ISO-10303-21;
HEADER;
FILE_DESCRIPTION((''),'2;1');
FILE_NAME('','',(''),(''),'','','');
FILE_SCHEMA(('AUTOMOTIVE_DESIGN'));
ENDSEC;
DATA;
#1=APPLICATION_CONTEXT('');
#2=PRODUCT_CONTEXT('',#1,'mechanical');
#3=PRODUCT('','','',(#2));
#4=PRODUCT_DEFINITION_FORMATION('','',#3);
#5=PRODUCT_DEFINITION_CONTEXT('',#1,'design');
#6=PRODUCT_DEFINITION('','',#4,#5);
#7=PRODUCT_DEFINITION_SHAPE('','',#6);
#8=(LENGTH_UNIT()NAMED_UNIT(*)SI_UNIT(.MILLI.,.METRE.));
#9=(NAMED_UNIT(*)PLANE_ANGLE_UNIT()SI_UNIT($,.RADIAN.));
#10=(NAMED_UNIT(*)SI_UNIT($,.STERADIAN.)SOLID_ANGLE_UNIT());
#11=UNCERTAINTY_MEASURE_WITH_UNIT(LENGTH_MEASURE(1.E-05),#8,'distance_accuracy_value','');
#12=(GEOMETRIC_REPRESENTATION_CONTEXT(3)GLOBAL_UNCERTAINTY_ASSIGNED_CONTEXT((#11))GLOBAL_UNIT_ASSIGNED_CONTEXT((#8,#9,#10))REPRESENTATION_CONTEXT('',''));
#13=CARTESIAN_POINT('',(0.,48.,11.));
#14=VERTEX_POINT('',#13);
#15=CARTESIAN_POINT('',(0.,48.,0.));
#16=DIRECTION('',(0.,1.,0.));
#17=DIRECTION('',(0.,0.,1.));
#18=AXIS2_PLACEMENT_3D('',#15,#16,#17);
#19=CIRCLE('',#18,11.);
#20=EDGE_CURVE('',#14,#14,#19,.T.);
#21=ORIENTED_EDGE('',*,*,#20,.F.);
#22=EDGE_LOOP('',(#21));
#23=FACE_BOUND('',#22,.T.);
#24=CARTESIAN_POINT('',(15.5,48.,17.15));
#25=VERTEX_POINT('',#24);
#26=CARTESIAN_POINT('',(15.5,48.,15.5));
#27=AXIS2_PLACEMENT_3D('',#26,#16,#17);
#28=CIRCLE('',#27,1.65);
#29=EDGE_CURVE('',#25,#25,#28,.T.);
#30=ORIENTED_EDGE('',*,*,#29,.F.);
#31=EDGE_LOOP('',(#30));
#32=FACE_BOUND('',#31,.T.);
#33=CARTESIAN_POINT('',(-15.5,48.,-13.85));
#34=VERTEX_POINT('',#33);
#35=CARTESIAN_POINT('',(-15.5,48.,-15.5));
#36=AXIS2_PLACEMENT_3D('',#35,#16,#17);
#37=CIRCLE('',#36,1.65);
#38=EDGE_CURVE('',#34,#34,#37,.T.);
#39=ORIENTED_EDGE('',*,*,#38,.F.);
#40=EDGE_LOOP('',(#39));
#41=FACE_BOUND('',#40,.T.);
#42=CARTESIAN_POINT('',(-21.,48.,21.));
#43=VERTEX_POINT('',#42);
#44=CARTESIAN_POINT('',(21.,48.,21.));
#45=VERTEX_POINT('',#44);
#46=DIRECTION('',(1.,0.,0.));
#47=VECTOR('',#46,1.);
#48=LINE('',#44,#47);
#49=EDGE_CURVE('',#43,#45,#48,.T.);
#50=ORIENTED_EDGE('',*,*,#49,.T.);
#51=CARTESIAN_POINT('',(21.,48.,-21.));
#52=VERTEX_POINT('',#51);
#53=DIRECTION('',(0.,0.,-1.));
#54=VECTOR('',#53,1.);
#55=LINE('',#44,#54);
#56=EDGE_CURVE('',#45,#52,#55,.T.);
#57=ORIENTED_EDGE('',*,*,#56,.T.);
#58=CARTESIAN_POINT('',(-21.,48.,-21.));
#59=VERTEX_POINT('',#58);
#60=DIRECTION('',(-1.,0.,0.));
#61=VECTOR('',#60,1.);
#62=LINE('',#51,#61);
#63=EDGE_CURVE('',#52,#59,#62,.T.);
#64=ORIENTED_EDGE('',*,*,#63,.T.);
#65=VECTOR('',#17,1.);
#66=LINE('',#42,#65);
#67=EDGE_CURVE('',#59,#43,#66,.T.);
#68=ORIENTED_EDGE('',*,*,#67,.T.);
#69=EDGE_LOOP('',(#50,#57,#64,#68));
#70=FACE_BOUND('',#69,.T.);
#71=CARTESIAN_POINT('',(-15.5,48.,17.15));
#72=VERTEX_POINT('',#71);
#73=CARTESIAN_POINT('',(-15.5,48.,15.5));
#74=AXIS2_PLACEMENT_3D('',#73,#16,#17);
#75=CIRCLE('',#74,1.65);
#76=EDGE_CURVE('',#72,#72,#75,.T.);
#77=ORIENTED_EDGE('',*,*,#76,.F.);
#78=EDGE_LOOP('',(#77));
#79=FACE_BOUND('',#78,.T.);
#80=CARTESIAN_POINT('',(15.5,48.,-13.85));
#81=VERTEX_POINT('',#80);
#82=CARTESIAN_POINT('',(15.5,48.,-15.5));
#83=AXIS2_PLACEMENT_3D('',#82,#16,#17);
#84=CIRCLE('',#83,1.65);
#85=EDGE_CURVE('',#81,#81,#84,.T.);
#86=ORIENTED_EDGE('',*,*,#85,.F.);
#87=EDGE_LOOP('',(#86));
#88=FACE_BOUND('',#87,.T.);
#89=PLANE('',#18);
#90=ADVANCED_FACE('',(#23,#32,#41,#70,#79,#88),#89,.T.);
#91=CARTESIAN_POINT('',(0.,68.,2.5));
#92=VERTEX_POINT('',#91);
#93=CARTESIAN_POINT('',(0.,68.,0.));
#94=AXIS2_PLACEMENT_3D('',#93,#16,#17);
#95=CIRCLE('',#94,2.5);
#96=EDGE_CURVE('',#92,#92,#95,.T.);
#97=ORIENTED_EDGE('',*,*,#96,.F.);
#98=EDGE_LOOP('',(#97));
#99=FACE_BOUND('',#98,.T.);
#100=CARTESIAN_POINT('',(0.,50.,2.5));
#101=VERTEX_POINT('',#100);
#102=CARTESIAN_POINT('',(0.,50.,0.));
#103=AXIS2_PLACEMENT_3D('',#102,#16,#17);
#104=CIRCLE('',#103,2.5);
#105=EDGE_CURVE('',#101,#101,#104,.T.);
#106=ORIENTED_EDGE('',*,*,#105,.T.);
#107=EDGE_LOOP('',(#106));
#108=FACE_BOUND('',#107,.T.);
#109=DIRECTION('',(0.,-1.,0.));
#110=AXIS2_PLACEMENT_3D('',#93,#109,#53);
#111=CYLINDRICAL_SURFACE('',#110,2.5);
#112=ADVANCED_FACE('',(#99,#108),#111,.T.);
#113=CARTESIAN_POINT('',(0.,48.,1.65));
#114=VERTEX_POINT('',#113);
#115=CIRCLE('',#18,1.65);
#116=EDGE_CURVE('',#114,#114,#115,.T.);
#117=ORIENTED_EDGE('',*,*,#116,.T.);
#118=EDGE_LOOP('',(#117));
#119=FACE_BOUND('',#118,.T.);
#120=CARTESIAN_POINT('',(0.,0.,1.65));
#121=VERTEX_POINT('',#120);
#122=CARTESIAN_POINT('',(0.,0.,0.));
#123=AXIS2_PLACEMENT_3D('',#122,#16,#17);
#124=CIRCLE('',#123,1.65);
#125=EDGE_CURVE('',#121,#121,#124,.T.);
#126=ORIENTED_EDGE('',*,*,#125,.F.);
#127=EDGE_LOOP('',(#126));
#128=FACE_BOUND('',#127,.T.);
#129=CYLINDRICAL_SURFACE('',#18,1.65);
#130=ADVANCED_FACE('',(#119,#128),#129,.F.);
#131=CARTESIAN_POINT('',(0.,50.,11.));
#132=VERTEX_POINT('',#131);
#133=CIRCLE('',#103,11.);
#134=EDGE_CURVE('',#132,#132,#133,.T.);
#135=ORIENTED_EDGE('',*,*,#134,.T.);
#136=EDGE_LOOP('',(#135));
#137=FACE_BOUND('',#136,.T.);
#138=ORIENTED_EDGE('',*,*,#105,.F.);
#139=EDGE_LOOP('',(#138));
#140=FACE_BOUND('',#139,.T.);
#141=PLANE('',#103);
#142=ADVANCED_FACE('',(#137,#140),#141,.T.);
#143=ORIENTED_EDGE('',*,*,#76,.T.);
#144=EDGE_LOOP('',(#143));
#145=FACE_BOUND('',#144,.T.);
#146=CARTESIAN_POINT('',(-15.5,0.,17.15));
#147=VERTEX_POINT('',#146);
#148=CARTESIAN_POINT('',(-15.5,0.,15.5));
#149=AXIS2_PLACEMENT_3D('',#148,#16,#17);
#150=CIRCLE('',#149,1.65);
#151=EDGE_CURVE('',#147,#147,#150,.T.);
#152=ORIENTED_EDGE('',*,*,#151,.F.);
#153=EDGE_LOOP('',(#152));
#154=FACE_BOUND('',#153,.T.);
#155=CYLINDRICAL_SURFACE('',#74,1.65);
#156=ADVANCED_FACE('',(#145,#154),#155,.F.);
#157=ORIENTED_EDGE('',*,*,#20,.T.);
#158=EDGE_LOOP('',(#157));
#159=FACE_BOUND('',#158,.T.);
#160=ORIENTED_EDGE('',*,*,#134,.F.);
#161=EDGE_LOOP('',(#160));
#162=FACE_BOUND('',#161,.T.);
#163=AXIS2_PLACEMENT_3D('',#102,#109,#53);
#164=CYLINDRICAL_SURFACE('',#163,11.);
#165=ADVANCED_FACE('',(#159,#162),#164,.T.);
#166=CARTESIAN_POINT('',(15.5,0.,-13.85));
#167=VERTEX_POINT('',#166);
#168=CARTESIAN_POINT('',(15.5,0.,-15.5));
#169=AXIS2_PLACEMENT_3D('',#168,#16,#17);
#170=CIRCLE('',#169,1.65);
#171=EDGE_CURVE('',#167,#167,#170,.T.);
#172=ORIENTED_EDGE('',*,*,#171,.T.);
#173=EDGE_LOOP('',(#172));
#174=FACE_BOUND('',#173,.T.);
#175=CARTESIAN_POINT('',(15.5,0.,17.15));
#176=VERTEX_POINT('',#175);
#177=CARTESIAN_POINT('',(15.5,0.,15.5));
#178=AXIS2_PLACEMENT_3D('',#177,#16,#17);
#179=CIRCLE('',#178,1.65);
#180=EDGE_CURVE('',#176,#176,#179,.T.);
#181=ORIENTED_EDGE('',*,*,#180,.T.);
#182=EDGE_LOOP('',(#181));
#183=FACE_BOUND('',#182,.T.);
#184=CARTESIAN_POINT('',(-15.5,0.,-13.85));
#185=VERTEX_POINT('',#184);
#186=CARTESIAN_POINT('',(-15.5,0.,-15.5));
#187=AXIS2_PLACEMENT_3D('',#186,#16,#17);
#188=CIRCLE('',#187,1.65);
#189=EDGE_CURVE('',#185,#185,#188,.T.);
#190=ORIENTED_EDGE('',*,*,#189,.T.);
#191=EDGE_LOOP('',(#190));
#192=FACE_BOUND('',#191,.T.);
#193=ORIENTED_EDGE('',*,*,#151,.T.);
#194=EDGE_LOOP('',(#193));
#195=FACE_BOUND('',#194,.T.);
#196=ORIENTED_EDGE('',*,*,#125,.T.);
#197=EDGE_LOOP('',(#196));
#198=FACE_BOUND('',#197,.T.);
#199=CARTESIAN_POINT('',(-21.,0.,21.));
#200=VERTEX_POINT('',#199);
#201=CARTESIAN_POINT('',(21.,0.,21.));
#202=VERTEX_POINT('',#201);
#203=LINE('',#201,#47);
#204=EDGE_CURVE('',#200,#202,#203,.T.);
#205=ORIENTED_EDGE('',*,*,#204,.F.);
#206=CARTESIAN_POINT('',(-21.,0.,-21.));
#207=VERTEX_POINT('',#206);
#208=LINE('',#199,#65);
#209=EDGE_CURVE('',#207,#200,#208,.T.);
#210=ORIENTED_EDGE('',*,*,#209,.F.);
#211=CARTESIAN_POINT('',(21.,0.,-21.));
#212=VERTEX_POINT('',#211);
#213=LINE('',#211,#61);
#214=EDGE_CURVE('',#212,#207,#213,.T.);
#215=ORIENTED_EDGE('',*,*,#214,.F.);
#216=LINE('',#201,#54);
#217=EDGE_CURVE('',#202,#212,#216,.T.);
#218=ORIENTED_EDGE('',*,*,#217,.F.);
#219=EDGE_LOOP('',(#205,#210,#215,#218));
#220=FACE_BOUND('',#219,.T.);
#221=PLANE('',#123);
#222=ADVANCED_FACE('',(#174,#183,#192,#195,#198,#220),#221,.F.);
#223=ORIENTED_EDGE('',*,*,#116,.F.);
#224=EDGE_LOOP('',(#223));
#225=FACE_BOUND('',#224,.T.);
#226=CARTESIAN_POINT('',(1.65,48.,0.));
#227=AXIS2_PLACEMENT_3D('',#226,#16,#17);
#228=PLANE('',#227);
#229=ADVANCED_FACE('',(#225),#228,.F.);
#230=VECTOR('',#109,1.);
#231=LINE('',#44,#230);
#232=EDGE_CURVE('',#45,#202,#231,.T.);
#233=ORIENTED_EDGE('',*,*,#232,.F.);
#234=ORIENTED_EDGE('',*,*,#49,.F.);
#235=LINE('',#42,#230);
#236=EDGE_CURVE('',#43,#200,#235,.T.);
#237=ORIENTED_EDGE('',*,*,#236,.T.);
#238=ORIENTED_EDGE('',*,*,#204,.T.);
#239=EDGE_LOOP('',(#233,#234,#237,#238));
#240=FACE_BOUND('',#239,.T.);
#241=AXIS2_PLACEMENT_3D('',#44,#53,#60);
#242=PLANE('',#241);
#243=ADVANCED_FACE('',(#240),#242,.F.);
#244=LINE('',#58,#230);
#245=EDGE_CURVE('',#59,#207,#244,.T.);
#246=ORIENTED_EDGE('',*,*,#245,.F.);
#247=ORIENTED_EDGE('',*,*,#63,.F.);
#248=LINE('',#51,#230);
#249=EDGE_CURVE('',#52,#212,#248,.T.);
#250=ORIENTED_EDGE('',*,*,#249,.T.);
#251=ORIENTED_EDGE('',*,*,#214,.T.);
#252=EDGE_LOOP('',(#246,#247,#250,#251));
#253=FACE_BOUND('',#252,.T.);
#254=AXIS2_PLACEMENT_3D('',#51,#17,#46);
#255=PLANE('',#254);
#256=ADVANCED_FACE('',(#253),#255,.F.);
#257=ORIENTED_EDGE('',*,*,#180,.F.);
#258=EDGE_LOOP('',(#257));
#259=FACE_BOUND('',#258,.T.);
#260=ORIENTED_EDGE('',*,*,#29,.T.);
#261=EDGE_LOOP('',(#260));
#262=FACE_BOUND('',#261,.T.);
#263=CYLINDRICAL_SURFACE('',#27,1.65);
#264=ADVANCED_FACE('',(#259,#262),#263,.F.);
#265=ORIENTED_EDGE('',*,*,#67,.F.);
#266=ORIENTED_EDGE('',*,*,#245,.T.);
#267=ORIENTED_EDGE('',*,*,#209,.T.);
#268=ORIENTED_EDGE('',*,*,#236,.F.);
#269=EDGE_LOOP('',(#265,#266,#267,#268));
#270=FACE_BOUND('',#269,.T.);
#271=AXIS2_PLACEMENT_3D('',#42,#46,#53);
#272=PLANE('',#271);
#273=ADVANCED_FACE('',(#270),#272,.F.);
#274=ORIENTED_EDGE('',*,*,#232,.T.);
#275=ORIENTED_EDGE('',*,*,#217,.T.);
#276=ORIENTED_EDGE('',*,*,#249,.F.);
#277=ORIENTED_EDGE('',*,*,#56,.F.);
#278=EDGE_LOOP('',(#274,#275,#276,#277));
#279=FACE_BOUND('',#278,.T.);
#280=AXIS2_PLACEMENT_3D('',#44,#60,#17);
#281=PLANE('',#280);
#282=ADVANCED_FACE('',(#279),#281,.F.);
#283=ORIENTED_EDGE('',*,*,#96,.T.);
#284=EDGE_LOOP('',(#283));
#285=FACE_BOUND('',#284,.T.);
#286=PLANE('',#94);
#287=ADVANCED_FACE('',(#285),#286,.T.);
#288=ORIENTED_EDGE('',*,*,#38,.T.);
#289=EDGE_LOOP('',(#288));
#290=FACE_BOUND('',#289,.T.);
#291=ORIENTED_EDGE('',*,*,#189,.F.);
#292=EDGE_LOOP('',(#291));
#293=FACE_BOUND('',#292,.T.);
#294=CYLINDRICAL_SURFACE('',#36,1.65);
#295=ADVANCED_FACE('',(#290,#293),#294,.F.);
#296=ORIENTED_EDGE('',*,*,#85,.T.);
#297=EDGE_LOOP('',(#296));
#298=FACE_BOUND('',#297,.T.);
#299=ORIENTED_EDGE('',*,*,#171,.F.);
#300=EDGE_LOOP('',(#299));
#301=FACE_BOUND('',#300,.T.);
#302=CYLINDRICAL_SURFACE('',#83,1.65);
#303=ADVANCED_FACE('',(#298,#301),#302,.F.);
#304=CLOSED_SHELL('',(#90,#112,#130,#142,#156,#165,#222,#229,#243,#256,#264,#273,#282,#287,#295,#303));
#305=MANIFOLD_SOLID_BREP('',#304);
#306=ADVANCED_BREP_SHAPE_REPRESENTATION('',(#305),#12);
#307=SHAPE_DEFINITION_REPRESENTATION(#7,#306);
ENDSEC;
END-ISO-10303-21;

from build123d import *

# Parameters (mm, degrees)
SKETCH1_W                            = 42
SKETCH1_H                            = 42
BOSS_EXTRUDE1_DEPTH                  = 48
SKETCH2_R                            = 2.5
BOSS_EXTRUDE2_DEPTH                  = 20
SKETCH4_W                            = 1.65
SKETCH4_H                            = 48
TAP_DRILL_FOR_M4X0_7_TAP1_AT_2_COUNT = 2
TAP_DRILL_FOR_M4X0_7_TAP1_AT_2_PITCH = 31
TAP_DRILL_FOR_M4X0_7_TAP1_AT_3_COUNT = 2
TAP_DRILL_FOR_M4X0_7_TAP1_AT_3_PITCH = 43.840620434
TAP_DRILL_FOR_M4X0_7_TAP1_AT_4_COUNT = 2
TAP_DRILL_FOR_M4X0_7_TAP1_AT_4_PITCH = 31
TAP_DRILL_FOR_M4X0_7_TAP1_AT_5_COUNT = 2
TAP_DRILL_FOR_M4X0_7_TAP1_AT_5_PITCH = 21.920310217
SKETCH6_R                            = 11
BOSS_EXTRUDE3_DEPTH                  = 2


with BuildPart() as part:
    # Sketch1 → Boss-Extrude1 (new body)
    with BuildSketch(Plane(origin=(0, 0, 0), x_dir=(1, 0, 0), z_dir=(0, 1, 0))):
        Rectangle(SKETCH1_W, SKETCH1_H)
    extrude(amount=BOSS_EXTRUDE1_DEPTH)

    # Sketch2 → Boss-Extrude2 (add)
    with BuildSketch(Plane(origin=(0, 48, 0), x_dir=(1, 0, 0), z_dir=(0, 1, 0))):
        with Locations(Location((0, 0, 0), (0, 0, 270))):
            Circle(SKETCH2_R)
    extrude(amount=BOSS_EXTRUDE2_DEPTH)

    # Sketch4 → Tap Drill for M4x0.7 Tap1 (revolve, cut)
    with BuildSketch(Plane(origin=(-15.5, 48, -15.5), x_dir=(0, 0, 1), z_dir=(1, 0, 0))):
        with Locations((0.825, 24)):
            Rectangle(SKETCH4_W, SKETCH4_H)
    tap_drill_for_m4x0_7_tap1 = revolve(axis=Axis((-15.5, 54.35, -15.5), (0, -1, 0)), mode=Mode.SUBTRACT)

    # Tap Drill for M4x0.7 Tap1 at 2: Tap Drill for M4x0.7 Tap1 ×2
    with Locations(*[(0, 0, i * TAP_DRILL_FOR_M4X0_7_TAP1_AT_2_PITCH) for i in range(1, TAP_DRILL_FOR_M4X0_7_TAP1_AT_2_COUNT)]):
        add(tap_drill_for_m4x0_7_tap1, mode=Mode.SUBTRACT)

    # Tap Drill for M4x0.7 Tap1 at 3: Tap Drill for M4x0.7 Tap1 ×2
    with Locations(*[Vector(0.7071067811865476, 0, 0.7071067811865475) * (i * TAP_DRILL_FOR_M4X0_7_TAP1_AT_3_PITCH) for i in range(1, TAP_DRILL_FOR_M4X0_7_TAP1_AT_3_COUNT)]):
        add(tap_drill_for_m4x0_7_tap1, mode=Mode.SUBTRACT)

    # Tap Drill for M4x0.7 Tap1 at 4: Tap Drill for M4x0.7 Tap1 ×2
    with Locations(*[(i * TAP_DRILL_FOR_M4X0_7_TAP1_AT_4_PITCH, 0, 0) for i in range(1, TAP_DRILL_FOR_M4X0_7_TAP1_AT_4_COUNT)]):
        add(tap_drill_for_m4x0_7_tap1, mode=Mode.SUBTRACT)

    # Tap Drill for M4x0.7 Tap1 at 5: Tap Drill for M4x0.7 Tap1 ×2
    with Locations(*[Vector(0.7071067811865477, 0, 0.7071067811865475) * (i * TAP_DRILL_FOR_M4X0_7_TAP1_AT_5_PITCH) for i in range(1, TAP_DRILL_FOR_M4X0_7_TAP1_AT_5_COUNT)]):
        add(tap_drill_for_m4x0_7_tap1, mode=Mode.SUBTRACT)

    # Sketch6 → Boss-Extrude3 (add)
    with BuildSketch(Plane(origin=(0, 48, 0), x_dir=(1, 0, 0), z_dir=(0, 1, 0))):
        with Locations(Location((0, 0, 0), (0, 0, 270))):
            Circle(SKETCH6_R)
    extrude(amount=BOSS_EXTRUDE3_DEPTH)


solid = part.part
